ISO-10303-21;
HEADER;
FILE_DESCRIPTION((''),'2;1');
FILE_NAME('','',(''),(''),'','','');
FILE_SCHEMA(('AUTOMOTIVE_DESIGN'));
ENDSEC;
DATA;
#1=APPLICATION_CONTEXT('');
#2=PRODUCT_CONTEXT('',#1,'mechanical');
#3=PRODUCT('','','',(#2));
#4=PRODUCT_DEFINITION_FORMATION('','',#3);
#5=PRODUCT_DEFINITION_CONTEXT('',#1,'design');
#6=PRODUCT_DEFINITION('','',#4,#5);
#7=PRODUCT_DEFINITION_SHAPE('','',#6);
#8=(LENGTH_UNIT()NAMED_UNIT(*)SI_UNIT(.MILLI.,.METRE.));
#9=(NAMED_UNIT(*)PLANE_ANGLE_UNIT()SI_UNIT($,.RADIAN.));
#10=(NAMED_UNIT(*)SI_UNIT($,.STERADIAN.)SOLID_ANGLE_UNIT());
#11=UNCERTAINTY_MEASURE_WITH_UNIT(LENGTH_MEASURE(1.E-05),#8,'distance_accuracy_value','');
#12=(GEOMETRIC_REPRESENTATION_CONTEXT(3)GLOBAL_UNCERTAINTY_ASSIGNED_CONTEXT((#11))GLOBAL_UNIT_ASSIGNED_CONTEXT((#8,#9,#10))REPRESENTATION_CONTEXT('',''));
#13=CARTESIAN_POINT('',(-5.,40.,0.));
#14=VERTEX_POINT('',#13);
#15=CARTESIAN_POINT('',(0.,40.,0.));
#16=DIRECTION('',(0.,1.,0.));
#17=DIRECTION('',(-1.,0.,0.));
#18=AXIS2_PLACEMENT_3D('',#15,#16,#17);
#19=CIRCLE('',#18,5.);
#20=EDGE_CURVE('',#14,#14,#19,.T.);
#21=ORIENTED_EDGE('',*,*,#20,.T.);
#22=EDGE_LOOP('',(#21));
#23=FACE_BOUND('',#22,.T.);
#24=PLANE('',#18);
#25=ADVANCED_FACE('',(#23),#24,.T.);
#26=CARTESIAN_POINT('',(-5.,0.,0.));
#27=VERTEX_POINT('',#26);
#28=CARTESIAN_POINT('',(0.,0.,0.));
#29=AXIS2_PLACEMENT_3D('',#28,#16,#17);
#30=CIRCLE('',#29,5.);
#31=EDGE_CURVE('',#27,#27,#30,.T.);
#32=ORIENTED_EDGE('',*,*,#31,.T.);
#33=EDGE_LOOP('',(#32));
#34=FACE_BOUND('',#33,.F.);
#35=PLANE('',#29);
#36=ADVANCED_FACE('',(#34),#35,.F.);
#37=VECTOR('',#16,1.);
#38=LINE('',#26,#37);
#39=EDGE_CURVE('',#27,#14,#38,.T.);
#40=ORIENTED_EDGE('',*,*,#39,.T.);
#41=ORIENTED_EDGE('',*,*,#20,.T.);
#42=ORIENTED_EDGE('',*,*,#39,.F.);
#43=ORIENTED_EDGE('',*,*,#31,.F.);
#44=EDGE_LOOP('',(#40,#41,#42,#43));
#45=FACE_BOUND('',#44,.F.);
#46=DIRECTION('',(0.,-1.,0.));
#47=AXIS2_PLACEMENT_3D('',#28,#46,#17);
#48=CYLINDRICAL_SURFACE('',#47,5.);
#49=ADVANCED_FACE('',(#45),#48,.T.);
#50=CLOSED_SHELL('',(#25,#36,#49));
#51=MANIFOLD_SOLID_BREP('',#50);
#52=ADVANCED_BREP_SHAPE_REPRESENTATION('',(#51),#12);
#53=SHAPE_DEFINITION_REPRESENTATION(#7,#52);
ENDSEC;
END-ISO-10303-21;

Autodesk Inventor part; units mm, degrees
ref_plane "YZ Plane" through (0, 0, 0) normal (1, 0, 0) x (0, 1, 0)
ref_plane "XZ Plane" through (0, 0, 0) normal (0, 1, 0) x (-1, 0, 0)
ref_plane "XY Plane" through (0, 0, 0) normal (0, 0, 1) x (1, 0, 0)
sketch "Sketch1" plane through (0, 0, 0) normal (0, 1, 0) x (-1, 0, 0)
  circle A0 centre (0, 0) radius 5
  dimension "d0" = 10
extrude "Extrusion1" add sketch "Sketch1" along normal blind 40
properties part number "E"
